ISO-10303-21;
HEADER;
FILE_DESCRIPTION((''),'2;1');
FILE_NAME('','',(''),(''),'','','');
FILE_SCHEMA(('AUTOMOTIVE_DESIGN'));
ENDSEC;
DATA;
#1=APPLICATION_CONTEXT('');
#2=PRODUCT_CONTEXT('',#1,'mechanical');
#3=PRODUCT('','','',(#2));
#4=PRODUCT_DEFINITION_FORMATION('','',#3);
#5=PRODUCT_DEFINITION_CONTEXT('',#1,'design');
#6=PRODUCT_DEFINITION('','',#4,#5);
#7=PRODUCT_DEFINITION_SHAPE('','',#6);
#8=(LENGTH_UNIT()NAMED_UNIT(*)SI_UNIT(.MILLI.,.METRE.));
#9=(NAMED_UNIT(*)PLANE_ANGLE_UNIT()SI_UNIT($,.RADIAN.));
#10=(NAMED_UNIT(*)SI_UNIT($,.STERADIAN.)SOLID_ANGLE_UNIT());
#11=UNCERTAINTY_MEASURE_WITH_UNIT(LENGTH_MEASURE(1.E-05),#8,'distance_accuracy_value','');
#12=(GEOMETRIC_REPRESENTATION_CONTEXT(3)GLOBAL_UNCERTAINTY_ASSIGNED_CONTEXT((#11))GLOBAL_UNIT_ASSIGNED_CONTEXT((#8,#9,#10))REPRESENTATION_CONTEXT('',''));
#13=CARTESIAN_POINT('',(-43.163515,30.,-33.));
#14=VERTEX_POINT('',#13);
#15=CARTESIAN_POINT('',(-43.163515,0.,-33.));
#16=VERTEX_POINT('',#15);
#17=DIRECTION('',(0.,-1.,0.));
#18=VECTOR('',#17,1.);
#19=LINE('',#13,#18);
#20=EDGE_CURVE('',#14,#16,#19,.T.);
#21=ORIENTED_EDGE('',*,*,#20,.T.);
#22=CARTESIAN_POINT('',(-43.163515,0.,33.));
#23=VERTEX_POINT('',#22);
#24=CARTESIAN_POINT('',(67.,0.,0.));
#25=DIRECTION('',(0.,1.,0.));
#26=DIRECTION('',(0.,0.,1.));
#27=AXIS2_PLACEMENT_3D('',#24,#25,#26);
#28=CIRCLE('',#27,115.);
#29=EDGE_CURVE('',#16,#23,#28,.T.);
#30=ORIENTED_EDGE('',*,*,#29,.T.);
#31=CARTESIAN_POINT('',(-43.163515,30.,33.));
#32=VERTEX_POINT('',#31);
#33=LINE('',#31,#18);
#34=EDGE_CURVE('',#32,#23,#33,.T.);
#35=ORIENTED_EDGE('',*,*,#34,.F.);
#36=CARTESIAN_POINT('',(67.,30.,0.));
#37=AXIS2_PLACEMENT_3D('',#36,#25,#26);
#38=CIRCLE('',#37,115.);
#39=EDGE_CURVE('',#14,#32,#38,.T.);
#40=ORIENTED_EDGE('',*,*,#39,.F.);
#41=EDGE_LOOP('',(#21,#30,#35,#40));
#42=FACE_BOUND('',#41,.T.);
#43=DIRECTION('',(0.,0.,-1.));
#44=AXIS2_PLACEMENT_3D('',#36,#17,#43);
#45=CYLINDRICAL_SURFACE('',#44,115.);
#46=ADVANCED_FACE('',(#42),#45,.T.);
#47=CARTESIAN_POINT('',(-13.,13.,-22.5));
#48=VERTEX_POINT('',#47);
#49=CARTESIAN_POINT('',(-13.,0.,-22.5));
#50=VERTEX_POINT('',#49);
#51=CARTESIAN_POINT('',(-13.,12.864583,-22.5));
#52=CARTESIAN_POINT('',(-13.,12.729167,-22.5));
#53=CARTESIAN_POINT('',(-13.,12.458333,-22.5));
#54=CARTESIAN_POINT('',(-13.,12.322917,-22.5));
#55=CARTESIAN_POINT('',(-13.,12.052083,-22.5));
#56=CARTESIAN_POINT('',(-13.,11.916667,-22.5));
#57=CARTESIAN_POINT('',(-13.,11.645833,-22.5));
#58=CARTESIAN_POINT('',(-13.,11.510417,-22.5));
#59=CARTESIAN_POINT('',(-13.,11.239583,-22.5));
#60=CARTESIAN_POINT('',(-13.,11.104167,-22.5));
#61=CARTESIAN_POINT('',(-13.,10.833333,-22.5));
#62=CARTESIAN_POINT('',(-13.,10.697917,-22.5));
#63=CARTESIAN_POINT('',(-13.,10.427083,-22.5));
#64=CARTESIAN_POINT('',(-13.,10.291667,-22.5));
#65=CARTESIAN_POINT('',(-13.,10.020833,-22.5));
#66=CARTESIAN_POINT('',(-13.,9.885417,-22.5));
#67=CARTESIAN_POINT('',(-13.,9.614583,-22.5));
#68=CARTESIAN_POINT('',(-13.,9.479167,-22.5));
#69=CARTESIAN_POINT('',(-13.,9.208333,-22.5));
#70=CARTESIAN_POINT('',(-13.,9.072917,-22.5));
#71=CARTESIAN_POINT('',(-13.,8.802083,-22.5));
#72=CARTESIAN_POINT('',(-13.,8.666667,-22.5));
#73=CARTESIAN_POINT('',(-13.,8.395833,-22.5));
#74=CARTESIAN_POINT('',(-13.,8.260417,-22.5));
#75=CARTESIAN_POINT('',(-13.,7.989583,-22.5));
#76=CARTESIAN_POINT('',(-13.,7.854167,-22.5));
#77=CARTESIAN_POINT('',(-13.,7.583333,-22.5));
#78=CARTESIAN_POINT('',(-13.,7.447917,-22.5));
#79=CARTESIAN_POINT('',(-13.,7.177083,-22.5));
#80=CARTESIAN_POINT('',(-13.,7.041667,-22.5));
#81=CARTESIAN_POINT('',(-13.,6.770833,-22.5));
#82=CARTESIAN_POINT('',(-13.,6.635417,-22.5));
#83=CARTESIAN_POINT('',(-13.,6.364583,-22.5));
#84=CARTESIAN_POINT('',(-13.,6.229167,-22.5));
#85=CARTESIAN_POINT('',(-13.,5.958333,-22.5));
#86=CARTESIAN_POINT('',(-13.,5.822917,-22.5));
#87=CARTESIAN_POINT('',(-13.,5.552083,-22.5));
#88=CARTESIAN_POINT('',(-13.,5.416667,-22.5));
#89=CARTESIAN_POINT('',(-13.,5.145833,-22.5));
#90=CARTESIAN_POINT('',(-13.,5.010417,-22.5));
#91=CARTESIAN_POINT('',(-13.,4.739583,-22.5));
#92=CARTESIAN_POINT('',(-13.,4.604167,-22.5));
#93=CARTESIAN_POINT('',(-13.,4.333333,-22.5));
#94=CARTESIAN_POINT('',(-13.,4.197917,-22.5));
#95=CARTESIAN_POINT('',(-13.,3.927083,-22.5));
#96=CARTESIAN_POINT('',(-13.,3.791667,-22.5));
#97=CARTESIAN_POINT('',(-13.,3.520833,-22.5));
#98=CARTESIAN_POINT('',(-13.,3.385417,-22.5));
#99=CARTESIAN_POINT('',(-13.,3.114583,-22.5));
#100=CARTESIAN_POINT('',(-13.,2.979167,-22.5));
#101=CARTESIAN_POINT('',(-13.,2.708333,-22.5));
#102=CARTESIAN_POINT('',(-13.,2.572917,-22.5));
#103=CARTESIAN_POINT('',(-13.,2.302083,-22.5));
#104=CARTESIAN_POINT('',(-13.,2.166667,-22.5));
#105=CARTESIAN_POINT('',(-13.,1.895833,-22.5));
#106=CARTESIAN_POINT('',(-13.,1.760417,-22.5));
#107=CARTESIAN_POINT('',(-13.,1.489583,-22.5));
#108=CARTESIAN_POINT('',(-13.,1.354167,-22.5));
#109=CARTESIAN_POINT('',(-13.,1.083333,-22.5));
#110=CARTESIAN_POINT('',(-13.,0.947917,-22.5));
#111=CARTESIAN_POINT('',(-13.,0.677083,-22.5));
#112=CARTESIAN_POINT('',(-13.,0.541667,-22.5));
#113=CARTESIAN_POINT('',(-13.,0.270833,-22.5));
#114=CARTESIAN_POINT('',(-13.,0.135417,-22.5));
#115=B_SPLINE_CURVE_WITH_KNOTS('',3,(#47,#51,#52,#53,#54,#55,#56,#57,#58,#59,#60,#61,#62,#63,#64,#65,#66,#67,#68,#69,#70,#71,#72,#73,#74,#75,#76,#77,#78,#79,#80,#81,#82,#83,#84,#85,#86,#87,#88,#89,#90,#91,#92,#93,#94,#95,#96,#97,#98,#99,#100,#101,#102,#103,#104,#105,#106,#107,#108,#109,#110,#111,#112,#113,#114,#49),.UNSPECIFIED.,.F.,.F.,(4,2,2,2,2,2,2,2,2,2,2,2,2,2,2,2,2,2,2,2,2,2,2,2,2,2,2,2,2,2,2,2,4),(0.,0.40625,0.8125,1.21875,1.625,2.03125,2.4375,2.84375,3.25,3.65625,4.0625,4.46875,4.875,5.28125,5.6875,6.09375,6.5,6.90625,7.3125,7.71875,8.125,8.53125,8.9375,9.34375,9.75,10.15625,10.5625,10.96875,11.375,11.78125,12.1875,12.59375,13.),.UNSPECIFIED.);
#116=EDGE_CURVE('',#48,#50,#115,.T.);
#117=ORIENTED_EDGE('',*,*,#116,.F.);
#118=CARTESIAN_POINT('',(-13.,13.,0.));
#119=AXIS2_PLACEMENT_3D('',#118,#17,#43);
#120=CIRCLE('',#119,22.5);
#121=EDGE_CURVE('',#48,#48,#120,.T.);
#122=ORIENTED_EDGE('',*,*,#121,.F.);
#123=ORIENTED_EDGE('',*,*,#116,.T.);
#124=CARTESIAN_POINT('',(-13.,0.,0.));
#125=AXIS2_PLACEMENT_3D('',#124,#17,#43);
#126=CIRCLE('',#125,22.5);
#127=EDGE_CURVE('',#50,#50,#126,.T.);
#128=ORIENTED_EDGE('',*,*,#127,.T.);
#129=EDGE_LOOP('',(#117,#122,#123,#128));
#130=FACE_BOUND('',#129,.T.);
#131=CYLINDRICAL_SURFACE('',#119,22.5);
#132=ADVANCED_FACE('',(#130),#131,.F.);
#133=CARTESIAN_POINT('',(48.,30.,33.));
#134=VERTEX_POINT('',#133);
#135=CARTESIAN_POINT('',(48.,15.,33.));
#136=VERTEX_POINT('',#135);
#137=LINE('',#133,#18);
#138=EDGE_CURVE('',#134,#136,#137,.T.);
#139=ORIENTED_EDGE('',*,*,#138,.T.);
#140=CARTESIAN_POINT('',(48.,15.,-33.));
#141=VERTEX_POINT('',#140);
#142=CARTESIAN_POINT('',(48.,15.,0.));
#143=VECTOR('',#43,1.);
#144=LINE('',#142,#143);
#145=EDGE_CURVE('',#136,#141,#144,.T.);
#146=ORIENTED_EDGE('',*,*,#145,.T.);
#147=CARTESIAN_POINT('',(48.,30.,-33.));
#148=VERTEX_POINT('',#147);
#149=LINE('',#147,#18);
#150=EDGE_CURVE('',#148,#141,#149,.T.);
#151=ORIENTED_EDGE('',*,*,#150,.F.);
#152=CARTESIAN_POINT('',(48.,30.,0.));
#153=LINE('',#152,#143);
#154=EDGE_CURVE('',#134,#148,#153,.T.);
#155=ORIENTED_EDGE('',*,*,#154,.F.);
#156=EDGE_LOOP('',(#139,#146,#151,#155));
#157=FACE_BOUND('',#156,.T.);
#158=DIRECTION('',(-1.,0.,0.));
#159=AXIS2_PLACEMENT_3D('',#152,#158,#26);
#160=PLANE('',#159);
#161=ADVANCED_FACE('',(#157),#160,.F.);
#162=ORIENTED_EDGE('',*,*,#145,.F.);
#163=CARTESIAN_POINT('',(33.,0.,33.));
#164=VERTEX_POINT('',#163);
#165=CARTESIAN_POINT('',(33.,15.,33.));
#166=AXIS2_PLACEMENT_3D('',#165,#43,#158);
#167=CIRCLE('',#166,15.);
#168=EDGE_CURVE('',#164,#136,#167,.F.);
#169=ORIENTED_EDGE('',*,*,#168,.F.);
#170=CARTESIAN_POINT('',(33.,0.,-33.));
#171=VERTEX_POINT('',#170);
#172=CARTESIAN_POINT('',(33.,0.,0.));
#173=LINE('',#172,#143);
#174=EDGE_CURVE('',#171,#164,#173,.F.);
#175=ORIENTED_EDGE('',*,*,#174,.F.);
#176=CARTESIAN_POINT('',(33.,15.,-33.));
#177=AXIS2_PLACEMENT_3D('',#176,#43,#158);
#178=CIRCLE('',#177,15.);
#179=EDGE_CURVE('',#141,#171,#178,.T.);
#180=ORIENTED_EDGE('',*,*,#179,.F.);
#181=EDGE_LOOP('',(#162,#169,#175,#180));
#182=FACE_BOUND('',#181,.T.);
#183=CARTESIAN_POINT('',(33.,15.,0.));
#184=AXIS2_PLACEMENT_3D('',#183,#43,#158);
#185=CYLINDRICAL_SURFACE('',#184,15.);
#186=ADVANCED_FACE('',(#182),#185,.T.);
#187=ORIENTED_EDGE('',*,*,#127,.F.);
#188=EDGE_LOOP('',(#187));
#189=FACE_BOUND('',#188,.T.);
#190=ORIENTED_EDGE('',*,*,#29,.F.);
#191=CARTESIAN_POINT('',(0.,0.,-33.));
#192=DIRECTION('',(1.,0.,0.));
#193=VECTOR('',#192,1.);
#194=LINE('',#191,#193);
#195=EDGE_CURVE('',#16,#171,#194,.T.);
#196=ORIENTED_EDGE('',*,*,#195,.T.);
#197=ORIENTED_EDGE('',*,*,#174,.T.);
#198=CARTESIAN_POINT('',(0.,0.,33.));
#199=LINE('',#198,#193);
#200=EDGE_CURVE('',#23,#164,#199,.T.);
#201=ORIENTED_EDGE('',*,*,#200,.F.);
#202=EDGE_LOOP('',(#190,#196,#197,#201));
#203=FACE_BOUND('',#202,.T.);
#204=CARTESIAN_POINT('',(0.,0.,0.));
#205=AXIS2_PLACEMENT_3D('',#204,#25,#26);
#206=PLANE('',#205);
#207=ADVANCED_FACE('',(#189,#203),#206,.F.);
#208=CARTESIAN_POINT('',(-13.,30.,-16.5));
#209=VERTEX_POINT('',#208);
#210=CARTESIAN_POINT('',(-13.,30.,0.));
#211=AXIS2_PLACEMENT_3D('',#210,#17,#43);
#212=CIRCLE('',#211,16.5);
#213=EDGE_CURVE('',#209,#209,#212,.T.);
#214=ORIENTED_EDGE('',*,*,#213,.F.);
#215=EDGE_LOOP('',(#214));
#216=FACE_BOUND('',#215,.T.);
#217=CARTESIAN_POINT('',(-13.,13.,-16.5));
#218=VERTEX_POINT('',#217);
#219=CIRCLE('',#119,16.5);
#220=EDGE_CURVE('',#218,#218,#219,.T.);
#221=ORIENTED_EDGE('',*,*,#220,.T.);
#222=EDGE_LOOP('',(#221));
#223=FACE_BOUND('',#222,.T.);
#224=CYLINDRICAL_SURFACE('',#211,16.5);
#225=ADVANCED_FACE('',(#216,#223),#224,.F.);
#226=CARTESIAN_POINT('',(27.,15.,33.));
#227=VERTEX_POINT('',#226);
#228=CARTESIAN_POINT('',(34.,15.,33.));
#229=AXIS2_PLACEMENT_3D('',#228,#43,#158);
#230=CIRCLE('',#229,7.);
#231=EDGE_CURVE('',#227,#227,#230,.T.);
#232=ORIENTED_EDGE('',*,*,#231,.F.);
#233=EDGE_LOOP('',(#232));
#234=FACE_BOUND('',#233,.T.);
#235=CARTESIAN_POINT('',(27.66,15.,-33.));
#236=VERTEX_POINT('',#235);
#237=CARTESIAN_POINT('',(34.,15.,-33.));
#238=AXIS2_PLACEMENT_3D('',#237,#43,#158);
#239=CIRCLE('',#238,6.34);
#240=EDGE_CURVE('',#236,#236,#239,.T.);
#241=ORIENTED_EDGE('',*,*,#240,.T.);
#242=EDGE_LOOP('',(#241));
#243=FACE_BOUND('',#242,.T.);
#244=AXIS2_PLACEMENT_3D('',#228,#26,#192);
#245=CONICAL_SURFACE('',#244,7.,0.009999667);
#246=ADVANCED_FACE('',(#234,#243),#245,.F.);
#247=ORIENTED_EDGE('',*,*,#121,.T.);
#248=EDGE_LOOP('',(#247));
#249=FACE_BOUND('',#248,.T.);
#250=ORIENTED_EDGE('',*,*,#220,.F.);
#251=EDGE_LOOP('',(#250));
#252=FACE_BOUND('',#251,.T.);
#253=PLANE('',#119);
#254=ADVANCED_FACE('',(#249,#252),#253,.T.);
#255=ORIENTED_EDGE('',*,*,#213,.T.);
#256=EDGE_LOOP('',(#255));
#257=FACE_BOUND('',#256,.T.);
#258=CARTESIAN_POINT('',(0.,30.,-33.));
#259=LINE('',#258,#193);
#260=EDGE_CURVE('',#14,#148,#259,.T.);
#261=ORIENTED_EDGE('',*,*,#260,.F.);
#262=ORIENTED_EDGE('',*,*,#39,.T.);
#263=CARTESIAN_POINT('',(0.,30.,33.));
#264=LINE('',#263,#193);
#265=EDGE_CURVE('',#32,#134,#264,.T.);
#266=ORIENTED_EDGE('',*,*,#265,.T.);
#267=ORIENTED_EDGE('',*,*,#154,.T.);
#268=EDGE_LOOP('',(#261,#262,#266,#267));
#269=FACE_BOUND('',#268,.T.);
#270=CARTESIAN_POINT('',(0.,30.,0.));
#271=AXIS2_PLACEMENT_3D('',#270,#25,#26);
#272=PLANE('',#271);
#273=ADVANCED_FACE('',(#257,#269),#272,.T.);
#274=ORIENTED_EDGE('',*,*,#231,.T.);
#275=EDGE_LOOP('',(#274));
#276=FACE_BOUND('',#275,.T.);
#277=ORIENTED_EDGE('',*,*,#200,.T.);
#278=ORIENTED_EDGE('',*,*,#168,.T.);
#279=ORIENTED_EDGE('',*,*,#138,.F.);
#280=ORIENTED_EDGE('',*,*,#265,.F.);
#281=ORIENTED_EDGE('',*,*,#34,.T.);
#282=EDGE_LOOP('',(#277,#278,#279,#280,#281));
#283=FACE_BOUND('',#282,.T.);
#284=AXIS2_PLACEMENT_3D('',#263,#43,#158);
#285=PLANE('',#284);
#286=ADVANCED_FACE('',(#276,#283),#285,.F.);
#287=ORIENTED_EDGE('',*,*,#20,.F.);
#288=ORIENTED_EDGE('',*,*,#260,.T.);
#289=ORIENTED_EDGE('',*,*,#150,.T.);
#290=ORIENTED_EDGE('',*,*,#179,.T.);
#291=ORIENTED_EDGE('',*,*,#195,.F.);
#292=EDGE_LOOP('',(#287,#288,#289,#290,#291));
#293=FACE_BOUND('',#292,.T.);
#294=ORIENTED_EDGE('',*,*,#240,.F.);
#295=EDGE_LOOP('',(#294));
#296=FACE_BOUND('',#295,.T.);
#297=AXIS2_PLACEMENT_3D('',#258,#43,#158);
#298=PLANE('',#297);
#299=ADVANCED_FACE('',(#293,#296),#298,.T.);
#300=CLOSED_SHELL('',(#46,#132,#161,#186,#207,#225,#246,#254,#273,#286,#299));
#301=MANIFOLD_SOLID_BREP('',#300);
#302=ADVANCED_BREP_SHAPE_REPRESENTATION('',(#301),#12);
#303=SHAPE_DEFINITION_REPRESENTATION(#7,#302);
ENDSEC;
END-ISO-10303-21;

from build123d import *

# Parameters (mm, degrees)
BOSS_EXTRUDE1_DEPTH = 30
SKETCH2_R           = 22.5
CUT_EXTRUDE1_DEPTH  = 13
SKETCH3_R           = 16.5
CUT_EXTRUDE2_DEPTH  = 61.679485825
FILLET1_R           = 15


with BuildPart() as part:
    # Sketch1 → Boss-Extrude1 (new body)
    with BuildSketch(Plane(origin=(0, 0, 0), x_dir=(1, 0, 0), z_dir=(0, 1, 0))):
        with BuildLine():
            ThreePointArc((-43.163514831, 33), (-48, 0), (-43.163514831, -33))
            Line((-43.163514831, -33), (48, -33))
            Line((48, -33), (48, 33))
            Line((48, 33), (-43.163514831, 33))
        make_face()
    extrude(amount=BOSS_EXTRUDE1_DEPTH)

    # Sketch2 → Cut-Extrude1 (cut)
    with BuildSketch(Plane.XZ):
        with Locations(Location((-13, 0, 0), (0, 0, 270))):
            Circle(SKETCH2_R)
    extrude(amount=-CUT_EXTRUDE1_DEPTH, mode=Mode.SUBTRACT)

    # Sketch3 → Cut-Extrude2 (cut, through all)
    with BuildSketch(Plane.XZ.offset(-13)):
        with Locations(Location((-13, 0, 0), (0, 0, 270))):
            Circle(SKETCH3_R)
    extrude(amount=-CUT_EXTRUDE2_DEPTH, mode=Mode.SUBTRACT)

    # Fillet1
    fillet1_edges = [part.edges().sort_by_distance(p)[0] for p in [
        (48, 0, 0),
    ]]
    fillet(fillet1_edges, radius=FILLET1_R)

    # Sketch4 → Cut-Revolve1 (revolve, cut)
    with BuildSketch(Plane(origin=(0, 15, 0), x_dir=(1, 0, 0), z_dir=(0, 1, 0)), mode=Mode.PRIVATE) as cut_revolve1_sk:
        Polygon((41, -33), (40.34, 33), (34, 33), (34, -33), align=None)
    revolve(cut_revolve1_sk.sketch.rotate(Axis((34, 15, -33), (0, 0, 1)), 180), axis=Axis((34, 15, -33), (0, 0, 1)), mode=Mode.SUBTRACT)


solid = part.part
